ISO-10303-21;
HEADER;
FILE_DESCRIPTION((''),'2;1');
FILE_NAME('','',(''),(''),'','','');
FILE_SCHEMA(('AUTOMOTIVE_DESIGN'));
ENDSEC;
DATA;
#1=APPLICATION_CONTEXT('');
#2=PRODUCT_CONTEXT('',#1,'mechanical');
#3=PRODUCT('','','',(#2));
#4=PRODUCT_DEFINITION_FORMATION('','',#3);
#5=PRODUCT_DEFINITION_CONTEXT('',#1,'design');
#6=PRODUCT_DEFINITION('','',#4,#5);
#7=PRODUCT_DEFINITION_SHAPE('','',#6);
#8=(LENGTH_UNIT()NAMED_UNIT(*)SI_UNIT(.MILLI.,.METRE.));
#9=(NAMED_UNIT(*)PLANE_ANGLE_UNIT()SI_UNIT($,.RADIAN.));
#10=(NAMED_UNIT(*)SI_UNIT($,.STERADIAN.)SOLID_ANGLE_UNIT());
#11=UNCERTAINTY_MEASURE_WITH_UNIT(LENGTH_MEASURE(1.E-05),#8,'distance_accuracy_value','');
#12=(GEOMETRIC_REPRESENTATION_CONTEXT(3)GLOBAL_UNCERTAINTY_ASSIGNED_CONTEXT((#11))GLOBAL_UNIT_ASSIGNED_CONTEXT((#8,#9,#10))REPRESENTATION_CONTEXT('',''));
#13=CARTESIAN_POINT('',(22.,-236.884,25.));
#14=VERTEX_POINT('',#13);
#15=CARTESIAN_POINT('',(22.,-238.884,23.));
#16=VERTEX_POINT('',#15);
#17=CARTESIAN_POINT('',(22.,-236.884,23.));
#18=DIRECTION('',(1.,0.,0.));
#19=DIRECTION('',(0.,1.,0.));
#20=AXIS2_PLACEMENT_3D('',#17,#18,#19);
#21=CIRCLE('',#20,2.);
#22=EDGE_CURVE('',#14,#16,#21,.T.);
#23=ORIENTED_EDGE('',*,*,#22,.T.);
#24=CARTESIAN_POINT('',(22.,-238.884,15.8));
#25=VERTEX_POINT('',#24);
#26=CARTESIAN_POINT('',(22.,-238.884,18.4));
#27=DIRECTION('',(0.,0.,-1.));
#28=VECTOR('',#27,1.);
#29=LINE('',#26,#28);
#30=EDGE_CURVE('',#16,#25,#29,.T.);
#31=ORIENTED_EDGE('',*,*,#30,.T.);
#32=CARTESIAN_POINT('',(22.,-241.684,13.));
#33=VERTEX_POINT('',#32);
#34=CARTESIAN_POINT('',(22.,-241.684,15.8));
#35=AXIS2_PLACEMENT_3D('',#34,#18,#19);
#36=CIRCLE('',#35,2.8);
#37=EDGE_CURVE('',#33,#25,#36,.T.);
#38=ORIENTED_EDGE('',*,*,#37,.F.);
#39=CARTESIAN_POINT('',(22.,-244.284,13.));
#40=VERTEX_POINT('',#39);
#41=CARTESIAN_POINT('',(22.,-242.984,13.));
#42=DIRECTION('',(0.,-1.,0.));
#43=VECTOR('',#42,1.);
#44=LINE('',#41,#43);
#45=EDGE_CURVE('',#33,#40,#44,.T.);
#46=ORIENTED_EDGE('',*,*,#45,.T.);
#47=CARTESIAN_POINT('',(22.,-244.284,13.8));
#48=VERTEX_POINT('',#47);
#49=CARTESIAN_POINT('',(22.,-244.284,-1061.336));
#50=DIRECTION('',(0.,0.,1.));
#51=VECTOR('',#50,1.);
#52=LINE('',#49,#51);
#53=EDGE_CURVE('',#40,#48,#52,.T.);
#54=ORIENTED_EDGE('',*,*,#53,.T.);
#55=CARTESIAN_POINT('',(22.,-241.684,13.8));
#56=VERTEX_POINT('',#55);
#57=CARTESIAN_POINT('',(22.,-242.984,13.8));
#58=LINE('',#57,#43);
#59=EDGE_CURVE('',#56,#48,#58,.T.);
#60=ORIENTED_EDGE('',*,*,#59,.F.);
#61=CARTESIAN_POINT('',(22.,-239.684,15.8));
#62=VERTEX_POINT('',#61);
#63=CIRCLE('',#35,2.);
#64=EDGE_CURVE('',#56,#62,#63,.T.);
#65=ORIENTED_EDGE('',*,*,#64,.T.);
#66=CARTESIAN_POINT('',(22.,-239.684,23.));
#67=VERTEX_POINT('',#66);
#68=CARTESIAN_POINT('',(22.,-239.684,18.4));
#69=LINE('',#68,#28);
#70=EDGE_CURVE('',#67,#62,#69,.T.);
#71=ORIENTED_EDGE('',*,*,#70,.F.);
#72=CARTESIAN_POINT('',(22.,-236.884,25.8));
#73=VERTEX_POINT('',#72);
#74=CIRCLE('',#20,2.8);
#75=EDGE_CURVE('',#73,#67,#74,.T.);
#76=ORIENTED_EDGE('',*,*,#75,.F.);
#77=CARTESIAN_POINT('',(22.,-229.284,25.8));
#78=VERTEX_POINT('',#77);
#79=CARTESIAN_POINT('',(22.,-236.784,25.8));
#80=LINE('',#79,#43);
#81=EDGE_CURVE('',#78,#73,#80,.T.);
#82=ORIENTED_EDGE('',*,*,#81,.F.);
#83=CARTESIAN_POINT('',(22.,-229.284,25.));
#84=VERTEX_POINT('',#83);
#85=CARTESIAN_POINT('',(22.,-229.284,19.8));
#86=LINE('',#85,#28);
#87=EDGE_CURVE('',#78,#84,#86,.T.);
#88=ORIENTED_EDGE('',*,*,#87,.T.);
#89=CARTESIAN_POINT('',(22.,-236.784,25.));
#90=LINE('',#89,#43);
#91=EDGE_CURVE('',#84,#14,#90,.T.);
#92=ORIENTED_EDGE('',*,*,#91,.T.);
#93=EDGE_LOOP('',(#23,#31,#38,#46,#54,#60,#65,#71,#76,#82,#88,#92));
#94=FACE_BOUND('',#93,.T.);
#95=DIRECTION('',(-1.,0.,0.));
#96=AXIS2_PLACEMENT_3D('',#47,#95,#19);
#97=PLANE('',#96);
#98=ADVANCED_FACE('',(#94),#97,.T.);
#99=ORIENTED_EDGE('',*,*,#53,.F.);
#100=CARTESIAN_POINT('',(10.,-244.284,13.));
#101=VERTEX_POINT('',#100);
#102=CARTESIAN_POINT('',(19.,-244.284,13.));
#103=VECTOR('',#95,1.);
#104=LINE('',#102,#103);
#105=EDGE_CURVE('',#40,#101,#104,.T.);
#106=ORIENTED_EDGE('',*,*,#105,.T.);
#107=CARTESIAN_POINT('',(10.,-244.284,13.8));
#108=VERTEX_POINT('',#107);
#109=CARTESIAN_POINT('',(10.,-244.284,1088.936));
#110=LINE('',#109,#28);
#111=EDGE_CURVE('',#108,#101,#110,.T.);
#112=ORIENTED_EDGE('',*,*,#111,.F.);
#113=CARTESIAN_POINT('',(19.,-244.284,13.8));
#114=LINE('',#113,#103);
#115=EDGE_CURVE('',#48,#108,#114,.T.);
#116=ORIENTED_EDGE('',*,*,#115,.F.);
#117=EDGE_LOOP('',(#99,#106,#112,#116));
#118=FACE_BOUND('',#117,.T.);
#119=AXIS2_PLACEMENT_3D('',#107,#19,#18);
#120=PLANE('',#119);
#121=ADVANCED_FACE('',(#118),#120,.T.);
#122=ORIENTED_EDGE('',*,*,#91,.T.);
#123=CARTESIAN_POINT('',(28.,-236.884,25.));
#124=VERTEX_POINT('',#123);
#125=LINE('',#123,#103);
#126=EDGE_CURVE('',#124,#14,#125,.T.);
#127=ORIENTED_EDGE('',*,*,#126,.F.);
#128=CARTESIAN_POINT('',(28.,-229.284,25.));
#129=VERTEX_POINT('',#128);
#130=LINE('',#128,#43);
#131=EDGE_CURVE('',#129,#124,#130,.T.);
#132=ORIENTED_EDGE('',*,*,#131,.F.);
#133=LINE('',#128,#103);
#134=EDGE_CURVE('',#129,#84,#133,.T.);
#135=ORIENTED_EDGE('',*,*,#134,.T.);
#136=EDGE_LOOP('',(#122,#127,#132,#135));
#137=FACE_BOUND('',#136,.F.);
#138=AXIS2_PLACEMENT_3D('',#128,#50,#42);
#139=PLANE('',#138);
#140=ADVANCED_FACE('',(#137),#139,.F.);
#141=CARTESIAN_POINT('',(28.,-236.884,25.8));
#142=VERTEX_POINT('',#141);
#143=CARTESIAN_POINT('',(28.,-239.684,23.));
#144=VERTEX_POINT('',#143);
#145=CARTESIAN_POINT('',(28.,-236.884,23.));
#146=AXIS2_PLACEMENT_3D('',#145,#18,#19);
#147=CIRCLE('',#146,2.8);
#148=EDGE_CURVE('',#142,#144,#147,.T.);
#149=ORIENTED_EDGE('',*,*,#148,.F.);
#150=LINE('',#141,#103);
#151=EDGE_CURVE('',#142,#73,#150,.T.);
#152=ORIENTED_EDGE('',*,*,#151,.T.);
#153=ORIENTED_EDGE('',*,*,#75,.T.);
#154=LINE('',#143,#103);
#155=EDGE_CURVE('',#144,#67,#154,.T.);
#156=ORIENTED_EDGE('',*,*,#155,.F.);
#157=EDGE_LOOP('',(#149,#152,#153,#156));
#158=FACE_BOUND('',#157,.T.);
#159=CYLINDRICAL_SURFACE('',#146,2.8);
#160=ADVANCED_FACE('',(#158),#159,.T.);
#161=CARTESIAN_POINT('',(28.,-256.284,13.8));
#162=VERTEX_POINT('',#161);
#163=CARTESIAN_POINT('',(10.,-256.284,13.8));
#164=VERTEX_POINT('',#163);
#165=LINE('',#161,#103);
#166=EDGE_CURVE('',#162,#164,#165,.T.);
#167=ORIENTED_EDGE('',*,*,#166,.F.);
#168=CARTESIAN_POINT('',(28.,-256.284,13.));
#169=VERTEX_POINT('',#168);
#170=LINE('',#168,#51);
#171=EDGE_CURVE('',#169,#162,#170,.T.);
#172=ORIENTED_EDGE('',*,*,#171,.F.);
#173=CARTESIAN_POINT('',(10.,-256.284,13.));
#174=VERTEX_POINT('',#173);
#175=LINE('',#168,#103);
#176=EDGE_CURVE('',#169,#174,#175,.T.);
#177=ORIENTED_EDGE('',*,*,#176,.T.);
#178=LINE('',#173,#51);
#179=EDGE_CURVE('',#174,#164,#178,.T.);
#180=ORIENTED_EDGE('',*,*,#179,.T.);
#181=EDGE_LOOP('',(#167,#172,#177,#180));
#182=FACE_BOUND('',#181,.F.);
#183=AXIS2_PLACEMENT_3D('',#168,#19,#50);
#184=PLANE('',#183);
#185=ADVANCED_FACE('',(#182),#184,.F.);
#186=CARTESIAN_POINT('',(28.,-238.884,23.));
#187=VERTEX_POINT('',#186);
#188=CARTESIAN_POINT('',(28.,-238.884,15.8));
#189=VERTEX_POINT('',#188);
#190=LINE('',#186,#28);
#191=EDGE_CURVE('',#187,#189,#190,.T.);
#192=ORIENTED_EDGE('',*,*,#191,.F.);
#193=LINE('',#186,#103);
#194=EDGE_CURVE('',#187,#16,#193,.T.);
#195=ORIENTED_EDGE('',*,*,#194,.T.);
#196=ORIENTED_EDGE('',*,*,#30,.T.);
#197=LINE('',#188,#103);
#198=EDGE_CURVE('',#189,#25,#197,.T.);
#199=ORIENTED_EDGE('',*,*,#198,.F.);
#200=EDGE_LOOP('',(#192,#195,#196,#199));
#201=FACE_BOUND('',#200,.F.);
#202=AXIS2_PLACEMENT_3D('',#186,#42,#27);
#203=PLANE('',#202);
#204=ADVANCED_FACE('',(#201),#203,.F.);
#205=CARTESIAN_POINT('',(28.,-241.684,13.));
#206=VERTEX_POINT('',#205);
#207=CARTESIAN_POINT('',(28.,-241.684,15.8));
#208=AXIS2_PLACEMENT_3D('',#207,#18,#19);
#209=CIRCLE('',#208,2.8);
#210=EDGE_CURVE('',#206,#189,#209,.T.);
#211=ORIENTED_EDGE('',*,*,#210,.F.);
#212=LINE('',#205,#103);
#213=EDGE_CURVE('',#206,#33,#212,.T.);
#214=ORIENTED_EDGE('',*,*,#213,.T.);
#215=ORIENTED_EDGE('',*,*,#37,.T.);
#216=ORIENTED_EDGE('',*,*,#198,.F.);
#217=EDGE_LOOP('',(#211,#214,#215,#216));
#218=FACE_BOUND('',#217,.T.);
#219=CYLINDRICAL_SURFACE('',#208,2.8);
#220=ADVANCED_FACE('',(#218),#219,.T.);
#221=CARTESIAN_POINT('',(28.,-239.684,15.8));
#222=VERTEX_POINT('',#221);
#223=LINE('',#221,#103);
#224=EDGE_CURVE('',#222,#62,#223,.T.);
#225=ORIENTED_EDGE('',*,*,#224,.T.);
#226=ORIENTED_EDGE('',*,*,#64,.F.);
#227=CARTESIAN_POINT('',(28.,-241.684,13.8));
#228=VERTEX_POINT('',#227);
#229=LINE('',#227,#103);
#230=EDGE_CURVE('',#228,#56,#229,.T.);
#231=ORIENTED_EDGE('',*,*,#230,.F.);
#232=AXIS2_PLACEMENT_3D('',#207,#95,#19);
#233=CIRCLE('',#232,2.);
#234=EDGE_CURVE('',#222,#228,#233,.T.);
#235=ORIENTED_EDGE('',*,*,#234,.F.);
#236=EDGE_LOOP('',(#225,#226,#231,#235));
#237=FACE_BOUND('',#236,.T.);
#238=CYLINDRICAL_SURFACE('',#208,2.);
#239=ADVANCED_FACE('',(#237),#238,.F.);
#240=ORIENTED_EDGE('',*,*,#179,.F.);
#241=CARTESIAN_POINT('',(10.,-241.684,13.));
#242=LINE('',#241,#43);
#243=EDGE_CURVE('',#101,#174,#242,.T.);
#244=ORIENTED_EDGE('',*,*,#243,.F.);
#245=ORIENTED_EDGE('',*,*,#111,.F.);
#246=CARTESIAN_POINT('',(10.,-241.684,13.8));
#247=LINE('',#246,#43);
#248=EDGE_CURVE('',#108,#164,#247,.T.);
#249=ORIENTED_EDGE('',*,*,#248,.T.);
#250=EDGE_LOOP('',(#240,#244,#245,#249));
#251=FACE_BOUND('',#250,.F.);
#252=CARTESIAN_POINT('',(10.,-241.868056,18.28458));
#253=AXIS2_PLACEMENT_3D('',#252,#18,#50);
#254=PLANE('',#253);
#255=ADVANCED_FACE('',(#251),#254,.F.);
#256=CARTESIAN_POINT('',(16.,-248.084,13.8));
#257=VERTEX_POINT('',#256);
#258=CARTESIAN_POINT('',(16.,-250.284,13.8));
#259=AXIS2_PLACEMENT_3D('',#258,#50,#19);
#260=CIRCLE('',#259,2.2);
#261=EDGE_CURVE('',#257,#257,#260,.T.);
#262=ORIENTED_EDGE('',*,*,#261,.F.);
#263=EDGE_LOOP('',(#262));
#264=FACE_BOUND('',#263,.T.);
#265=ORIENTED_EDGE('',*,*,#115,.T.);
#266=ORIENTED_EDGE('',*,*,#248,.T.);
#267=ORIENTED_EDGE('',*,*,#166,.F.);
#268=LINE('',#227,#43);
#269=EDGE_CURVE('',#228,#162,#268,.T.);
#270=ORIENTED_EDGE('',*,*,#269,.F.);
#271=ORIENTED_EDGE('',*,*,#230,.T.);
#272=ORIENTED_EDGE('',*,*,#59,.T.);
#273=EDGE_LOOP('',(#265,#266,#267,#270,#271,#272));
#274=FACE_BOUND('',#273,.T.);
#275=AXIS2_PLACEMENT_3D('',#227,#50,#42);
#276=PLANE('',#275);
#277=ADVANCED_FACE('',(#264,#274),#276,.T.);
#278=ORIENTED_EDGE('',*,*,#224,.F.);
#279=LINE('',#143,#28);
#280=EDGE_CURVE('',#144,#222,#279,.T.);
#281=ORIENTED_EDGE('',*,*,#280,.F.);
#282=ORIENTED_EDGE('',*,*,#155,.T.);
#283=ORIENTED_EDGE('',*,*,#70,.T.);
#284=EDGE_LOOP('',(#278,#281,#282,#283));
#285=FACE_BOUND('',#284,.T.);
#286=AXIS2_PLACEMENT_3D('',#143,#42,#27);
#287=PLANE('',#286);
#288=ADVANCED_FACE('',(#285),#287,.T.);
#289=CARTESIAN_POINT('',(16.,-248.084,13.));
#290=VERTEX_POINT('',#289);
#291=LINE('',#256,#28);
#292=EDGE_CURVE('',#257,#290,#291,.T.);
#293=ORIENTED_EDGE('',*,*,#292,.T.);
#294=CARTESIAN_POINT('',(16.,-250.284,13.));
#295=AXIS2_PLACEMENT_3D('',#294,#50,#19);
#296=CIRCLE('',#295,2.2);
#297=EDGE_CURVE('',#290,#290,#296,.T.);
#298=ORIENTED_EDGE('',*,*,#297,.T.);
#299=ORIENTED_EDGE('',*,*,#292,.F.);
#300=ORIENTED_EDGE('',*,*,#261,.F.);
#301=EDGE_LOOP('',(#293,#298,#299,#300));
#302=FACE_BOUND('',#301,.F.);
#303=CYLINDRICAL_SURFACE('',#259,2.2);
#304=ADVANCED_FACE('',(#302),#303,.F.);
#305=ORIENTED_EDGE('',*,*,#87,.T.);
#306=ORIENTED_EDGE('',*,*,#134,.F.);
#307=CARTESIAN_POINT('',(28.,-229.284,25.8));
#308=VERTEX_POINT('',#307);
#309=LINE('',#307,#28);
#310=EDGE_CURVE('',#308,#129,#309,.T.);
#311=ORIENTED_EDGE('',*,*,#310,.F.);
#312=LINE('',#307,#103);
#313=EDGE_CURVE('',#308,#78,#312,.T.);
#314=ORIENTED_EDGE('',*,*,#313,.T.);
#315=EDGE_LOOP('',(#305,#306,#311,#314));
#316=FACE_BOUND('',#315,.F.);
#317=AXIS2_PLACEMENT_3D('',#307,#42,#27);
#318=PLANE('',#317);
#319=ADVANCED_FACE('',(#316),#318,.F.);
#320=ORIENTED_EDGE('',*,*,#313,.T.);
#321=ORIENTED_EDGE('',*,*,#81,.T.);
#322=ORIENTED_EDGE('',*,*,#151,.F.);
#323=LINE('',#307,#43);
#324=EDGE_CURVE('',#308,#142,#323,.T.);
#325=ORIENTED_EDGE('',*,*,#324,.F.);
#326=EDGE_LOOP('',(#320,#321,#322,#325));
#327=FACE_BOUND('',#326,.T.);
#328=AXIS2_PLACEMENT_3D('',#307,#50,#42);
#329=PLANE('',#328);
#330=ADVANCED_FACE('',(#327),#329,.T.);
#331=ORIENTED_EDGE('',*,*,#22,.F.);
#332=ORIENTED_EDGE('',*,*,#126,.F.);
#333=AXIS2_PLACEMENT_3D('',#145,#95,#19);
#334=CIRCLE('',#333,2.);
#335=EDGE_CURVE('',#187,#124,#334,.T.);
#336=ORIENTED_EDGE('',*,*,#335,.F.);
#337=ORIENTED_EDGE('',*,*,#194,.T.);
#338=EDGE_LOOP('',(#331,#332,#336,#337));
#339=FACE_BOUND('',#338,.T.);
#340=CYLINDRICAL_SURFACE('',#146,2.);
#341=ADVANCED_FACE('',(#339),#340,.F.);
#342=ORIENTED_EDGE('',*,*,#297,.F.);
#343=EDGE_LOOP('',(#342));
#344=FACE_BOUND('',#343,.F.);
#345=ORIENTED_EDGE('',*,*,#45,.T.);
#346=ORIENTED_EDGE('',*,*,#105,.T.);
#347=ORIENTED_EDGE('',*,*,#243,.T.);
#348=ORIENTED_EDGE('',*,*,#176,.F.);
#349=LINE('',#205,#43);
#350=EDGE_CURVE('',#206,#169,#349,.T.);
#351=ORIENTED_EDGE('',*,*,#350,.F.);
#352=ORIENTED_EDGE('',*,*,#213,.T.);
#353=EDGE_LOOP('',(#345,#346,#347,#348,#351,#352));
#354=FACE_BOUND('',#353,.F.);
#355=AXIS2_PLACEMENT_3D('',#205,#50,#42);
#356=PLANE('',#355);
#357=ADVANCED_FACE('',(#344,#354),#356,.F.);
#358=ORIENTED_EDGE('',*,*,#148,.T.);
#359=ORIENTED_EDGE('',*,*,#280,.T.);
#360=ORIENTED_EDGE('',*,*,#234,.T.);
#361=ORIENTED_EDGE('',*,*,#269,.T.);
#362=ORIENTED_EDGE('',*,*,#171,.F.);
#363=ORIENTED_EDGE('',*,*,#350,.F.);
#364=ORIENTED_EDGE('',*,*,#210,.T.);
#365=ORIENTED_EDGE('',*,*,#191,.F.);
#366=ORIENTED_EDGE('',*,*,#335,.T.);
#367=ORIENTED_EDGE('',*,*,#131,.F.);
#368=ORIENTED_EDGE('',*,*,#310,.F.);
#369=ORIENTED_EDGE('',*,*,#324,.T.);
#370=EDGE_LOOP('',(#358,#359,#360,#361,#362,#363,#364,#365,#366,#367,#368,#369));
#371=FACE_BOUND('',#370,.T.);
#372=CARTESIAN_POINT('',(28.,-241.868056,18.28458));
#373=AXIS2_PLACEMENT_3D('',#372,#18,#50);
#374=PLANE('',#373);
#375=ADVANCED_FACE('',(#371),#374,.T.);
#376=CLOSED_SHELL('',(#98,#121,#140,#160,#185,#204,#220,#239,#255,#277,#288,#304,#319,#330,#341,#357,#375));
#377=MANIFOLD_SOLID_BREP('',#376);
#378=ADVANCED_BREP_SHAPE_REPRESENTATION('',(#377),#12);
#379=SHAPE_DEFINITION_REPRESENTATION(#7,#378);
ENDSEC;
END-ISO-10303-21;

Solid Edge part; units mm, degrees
sketch "Sketch1" plane through (28, 0, 0) normal (1, 0, 0) x (0, 1, 0)
  line L0 (-229.284, 25.8) -> (-236.884, 25.8)
  arc A0 (-236.884, 25.8) -> (-239.684, 23) centre (-236.884, 23) ccw
  line L1 (-239.684, 23) -> (-239.684, 15.8)
  arc A1 (-239.684, 15.8) -> (-241.684, 13.8) centre (-241.684, 15.8) cw
  line L2 (-241.684, 13.8) -> (-256.284, 13.8)
  line L3 (-256.284, 13) -> (-256.284, 13.8)
  line L4 (-241.684, 13) -> (-256.284, 13)
  arc A2 (-241.684, 13) -> (-238.884, 15.8) centre (-241.684, 15.8) ccw
  line L5 (-238.884, 23) -> (-238.884, 15.8)
  arc A3 (-238.884, 23) -> (-236.884, 25) centre (-236.884, 23) cw
  line L6 (-229.284, 25) -> (-236.884, 25)
  line L7 (-229.284, 25.8) -> (-229.284, 25)
extrude "Protrusion1" add sketch "Sketch1" against normal blind 18
sketch "Sketch2" plane through (19, -249.0202, 13.8) normal (0, 0, 1) x (0, 1, 0)
  line L0 (4.7362, 9) -> (4.7362, -3)
  line L1 (4.7362, -3) -> (44.7362, -3)
  line L2 (44.7362, -3) -> (44.7362, 9)
  line L3 (44.7362, 9) -> (4.7362, 9)
  circle A0 centre (-1.2638, 3) radius 2.2
  dimension "D1" = 12
  dimension "D2" = 6
  dimension "D3" = 6
  dimension "D4" = 12
  dimension "D5" = 40
extrude "Cutout1" cut sketch "Sketch2" along normal through all and the other way through all
